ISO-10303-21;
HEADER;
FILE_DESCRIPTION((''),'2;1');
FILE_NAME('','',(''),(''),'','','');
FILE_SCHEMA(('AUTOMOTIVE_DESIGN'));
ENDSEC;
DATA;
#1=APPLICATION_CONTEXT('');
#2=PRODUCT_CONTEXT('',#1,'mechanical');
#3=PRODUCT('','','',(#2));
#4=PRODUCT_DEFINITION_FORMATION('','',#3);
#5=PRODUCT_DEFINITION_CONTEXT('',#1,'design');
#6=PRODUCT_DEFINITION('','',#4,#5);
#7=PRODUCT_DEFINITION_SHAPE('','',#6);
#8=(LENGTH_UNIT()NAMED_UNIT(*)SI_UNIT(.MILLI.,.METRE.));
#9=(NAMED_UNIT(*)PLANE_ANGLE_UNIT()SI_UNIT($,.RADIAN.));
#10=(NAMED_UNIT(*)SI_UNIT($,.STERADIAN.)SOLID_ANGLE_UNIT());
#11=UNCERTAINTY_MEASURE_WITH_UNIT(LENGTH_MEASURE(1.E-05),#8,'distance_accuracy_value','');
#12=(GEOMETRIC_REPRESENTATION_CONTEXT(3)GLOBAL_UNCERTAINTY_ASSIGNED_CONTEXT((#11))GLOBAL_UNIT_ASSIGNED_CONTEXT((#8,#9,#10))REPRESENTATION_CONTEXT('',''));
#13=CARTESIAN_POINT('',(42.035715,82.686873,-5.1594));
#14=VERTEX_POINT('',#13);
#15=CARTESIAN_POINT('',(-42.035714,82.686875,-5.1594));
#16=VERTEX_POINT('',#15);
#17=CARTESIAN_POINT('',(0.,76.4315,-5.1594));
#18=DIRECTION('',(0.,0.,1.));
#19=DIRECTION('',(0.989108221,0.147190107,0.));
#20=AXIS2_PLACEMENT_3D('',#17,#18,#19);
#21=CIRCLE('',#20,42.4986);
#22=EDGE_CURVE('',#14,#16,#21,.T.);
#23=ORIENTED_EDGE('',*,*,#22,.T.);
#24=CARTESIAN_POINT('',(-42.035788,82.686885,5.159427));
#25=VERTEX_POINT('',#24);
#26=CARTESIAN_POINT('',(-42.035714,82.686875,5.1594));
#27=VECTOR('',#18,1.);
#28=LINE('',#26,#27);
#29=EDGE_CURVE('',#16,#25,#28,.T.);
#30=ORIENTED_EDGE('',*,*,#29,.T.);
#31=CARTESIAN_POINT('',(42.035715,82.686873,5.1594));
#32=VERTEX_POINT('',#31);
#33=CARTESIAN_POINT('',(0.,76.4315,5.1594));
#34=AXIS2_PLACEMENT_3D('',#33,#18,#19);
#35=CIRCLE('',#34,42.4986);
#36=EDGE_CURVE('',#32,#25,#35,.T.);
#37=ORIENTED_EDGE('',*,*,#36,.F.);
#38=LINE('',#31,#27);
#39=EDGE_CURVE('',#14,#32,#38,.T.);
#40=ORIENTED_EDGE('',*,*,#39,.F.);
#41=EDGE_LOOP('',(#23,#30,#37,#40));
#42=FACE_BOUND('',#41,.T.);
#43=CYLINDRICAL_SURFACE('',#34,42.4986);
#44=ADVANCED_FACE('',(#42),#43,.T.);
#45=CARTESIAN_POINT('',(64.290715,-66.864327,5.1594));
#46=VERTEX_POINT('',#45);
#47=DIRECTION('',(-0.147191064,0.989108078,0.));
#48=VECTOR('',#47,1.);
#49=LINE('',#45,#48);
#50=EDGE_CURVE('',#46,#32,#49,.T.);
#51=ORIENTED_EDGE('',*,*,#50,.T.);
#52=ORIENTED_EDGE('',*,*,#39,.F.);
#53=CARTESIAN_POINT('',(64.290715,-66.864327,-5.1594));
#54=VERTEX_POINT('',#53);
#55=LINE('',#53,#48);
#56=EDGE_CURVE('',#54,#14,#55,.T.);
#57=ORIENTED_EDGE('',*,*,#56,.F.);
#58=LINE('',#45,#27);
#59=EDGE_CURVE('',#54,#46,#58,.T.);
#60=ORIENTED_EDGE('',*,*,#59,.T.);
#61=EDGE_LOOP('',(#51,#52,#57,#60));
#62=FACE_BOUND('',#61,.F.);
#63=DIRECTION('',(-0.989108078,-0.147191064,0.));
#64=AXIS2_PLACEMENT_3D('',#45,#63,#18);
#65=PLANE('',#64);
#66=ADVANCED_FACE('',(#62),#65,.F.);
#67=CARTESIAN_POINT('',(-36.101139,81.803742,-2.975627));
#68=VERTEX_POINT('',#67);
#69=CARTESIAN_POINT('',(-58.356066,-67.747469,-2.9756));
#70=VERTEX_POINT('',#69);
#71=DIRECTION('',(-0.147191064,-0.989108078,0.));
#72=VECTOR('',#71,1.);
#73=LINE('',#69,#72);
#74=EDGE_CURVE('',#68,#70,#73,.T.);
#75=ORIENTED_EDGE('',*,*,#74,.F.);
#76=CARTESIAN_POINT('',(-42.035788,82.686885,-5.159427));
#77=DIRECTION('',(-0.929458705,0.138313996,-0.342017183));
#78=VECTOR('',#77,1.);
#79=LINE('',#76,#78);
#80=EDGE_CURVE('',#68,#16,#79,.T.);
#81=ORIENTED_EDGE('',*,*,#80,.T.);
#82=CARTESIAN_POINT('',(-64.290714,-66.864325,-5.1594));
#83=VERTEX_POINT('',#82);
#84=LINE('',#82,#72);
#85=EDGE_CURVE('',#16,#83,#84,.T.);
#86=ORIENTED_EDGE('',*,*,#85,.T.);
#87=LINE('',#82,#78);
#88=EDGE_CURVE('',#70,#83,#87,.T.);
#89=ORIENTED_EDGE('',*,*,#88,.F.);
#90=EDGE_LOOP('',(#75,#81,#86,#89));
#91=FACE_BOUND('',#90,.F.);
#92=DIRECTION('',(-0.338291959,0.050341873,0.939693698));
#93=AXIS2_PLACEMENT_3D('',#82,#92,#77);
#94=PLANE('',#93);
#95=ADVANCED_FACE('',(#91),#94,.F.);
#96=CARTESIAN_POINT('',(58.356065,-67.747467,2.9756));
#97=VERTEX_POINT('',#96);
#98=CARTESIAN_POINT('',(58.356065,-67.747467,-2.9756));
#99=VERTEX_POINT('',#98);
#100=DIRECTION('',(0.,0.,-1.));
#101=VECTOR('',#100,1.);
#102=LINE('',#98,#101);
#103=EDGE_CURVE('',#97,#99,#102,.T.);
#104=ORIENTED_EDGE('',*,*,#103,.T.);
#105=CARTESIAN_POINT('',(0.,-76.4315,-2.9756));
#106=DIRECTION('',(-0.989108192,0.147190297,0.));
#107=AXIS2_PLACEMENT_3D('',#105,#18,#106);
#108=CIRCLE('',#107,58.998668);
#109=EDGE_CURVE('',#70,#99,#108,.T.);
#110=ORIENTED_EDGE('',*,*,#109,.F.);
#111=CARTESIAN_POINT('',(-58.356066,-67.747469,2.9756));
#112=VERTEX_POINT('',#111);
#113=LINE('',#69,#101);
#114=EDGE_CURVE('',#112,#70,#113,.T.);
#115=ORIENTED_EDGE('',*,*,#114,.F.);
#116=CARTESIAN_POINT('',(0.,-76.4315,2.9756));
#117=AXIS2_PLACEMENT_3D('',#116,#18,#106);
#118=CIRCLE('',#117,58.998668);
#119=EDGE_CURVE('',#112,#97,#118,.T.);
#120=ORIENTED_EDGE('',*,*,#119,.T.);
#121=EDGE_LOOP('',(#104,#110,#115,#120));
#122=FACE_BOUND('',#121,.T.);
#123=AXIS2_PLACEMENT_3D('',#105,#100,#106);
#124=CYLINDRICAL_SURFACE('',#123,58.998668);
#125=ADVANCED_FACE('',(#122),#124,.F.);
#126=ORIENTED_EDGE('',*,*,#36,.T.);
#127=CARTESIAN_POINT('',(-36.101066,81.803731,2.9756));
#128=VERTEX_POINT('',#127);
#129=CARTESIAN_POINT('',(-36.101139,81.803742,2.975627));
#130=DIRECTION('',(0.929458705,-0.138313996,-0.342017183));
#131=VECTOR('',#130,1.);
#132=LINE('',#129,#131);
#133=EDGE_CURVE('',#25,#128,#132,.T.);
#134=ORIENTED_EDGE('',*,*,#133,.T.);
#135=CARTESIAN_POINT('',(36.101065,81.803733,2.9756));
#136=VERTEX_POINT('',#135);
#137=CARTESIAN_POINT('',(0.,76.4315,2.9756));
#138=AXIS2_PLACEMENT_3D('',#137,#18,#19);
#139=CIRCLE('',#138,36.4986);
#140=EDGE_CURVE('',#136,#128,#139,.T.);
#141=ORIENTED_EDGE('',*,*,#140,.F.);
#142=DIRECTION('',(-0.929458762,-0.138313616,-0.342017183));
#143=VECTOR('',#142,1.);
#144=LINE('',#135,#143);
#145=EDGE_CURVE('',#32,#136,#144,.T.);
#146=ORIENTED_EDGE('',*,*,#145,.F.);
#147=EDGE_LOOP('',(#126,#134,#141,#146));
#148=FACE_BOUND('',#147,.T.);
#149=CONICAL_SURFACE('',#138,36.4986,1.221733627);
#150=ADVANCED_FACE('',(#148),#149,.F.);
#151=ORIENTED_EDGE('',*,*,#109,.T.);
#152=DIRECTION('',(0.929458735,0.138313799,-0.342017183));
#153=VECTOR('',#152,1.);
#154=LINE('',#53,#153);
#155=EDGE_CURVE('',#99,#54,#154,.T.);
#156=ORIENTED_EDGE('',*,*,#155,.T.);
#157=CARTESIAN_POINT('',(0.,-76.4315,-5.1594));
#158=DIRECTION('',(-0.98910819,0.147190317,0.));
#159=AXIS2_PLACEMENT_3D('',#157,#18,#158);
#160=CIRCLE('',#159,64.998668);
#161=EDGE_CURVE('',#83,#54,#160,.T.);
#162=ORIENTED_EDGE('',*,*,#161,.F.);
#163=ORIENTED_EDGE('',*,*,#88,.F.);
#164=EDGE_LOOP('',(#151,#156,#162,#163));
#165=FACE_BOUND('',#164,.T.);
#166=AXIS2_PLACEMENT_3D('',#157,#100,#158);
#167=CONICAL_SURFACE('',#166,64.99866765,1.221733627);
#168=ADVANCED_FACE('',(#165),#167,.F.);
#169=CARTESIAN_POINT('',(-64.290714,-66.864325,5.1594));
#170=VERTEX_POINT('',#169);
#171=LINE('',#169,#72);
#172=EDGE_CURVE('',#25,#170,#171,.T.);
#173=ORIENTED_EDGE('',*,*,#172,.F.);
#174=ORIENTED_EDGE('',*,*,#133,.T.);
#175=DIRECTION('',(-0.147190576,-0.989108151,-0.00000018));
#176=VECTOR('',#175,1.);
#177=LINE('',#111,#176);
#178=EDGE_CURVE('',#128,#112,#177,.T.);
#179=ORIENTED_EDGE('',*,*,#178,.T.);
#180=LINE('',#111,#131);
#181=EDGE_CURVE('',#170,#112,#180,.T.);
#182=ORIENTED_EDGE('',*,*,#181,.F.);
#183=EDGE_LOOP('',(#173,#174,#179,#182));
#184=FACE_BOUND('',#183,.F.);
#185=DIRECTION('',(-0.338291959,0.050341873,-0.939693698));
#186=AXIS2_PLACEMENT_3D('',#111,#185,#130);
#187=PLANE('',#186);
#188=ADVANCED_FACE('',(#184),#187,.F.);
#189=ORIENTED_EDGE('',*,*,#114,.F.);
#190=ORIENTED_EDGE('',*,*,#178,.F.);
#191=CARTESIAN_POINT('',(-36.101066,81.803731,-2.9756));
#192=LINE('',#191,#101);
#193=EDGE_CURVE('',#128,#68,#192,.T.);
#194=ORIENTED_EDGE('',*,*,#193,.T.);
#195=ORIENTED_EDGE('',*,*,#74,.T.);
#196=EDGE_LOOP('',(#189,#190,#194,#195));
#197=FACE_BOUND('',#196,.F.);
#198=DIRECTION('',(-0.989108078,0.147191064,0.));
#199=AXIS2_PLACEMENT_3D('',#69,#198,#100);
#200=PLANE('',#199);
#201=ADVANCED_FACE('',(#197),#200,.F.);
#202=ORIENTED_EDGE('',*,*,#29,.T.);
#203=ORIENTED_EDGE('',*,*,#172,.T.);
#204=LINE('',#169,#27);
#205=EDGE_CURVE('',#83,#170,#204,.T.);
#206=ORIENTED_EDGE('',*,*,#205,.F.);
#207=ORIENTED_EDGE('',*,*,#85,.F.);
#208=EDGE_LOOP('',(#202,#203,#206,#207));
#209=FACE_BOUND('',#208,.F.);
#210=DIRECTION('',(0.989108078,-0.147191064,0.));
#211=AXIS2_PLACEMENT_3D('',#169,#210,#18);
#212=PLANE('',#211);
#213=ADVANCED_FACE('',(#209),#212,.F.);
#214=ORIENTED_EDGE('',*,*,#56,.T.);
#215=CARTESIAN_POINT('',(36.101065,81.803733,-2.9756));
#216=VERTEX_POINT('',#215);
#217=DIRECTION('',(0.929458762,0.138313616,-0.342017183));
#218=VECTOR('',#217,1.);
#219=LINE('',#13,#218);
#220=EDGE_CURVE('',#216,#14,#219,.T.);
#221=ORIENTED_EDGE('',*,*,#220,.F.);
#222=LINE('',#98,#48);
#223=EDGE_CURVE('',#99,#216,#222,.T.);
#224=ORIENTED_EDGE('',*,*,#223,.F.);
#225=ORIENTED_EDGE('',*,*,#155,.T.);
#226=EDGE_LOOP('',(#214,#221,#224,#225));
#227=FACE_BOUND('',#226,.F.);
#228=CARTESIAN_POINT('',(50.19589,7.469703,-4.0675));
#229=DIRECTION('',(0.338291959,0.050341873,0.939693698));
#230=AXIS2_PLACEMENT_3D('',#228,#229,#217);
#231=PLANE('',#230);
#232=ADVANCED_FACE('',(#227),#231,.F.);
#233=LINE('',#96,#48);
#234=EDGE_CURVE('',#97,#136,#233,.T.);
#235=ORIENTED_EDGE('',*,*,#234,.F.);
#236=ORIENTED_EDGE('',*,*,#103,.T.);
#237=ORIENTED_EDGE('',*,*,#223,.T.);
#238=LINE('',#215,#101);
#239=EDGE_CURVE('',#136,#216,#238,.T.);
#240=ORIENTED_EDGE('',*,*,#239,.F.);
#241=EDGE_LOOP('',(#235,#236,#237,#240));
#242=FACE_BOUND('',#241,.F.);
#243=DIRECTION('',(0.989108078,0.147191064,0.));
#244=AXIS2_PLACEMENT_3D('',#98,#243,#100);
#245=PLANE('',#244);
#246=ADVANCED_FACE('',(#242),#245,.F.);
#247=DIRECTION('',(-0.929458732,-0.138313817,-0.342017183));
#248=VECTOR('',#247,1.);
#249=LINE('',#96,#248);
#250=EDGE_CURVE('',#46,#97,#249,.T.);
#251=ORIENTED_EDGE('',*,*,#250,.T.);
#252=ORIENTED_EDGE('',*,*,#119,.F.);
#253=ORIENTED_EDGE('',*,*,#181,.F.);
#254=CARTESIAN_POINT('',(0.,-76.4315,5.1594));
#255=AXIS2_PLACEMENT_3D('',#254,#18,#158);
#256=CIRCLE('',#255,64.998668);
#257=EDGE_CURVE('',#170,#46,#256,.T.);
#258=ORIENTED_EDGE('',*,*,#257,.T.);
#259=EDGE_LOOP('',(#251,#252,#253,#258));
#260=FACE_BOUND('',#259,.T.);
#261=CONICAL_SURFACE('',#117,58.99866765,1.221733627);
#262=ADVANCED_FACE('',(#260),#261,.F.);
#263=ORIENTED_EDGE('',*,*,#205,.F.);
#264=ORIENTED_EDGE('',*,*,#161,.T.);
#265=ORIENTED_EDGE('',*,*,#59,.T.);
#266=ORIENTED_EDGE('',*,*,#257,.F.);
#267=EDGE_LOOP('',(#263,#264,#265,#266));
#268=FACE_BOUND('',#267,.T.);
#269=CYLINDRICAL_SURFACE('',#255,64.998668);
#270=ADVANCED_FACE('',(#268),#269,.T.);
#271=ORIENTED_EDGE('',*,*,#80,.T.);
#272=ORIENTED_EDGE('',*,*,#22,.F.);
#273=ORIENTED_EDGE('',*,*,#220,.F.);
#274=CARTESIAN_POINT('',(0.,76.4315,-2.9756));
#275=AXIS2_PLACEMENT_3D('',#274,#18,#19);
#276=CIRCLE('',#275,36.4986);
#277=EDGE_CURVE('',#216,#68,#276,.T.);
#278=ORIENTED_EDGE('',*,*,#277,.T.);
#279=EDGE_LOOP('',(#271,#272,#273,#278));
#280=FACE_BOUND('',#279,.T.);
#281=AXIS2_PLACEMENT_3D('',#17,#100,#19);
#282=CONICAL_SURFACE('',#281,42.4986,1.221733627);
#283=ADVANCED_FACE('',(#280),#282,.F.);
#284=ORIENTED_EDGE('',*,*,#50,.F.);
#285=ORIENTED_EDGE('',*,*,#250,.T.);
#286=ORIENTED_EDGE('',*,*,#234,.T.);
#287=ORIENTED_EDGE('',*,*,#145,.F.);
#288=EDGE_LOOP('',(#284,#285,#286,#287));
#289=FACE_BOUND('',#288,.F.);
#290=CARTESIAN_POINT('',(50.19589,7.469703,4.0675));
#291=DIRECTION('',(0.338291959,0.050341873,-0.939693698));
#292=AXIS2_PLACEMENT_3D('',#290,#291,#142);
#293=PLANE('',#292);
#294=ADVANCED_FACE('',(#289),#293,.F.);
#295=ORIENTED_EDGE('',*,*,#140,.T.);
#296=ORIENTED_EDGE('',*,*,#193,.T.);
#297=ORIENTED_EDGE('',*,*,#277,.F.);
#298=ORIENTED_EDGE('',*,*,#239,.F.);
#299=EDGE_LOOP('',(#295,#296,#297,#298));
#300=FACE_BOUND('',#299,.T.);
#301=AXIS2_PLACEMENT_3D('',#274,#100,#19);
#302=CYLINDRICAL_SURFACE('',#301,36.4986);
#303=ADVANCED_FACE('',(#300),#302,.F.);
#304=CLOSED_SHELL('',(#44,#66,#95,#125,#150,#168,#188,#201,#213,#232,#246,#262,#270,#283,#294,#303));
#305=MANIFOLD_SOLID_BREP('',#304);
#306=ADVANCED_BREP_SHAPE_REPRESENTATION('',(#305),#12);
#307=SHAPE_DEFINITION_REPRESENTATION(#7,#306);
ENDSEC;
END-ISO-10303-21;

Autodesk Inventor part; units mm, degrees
ref_plane "YZ Plane" through (0, 0, 0) normal (1, 0, 0) x (0, 1, 0)
ref_plane "XZ Plane" through (0, 0, 0) normal (0, 1, 0) x (-1, 0, 0)
ref_plane "XY Plane" through (0, 0, 0) normal (0, 0, 1) x (1, 0, 0)
sketch "Sketch2" plane through (0, 0, 0) normal (0, 0, 1) x (1, 0, 0)
  line L0 (0, 76.4315) -> (0, -76.4315) construction
  arc A0 (-39.5643, 82.3191) -> (39.5643, 82.3191) centre (0, 76.4315) ccw construction
  arc A1 (61.8193, -67.2321) -> (-61.8193, -67.2321) centre (0, -76.4315) ccw construction
  line L1 (61.8193, -67.2321) -> (39.5643, 82.3191)
  line L2 (-61.8193, -67.2321) -> (-39.5643, 82.3191)
  arc A2 (39.5643, 82.3191) -> (-39.5643, 82.3191) centre (0, 76.4315) ccw
  arc A3 (-61.8193, -67.2321) -> (61.8193, -67.2321) centre (0, -76.4315) ccw
  line L3 (0, 76.4315) -> (0, 116.4315) construction
  point P0 (0, 0)
  point P1 (0, 0)
  dimension "d1" = 152.863
  dimension "d2" = 80
  dimension "d3" = 125
sketch "Sketch3" plane through (0, 0, 0) normal (1, 0, 0) x (0, 1, 0)
  line L0 (118.9301, 0) -> (112.9301, 0) construction
  line L1 (116.4315, 4.25) -> (116.4315, -4.25) construction
  line L2 (118.9301, 5.1594) -> (118.9301, -5.1594)
  line L3 (118.9301, -5.1594) -> (112.9301, -2.9756)
  line L4 (112.9301, -2.9756) -> (112.9301, 2.9756)
  line L5 (112.9301, 2.9756) -> (118.9301, 5.1594)
  point P0 (0, 0)
  point P1 (0, 0)
  point P2 (116.4315, 0)
  point P3 (116.4315, 0)
  point P4 (116.4315, 0)
  dimension "d4" = 8.5
  dimension "d5" = 2.4986
  dimension "d6" = 40
  dimension "d7" = 6
sweep "Sweep1" add profiles "Sketch3" path "Sketch2"
equation "\"d4\" = d8"
equation "\"d5\" = d9"
equation "\"d6\" = d10"
equation "\"d7\" = d11"
equation "\"d8\" = 8.5"
equation "\"d9\" = 2.49859"
equation "\"d10\" = 40deg"
equation "\"d11\" = 6"
properties part number "PWTR-0097" material "Rubber"
